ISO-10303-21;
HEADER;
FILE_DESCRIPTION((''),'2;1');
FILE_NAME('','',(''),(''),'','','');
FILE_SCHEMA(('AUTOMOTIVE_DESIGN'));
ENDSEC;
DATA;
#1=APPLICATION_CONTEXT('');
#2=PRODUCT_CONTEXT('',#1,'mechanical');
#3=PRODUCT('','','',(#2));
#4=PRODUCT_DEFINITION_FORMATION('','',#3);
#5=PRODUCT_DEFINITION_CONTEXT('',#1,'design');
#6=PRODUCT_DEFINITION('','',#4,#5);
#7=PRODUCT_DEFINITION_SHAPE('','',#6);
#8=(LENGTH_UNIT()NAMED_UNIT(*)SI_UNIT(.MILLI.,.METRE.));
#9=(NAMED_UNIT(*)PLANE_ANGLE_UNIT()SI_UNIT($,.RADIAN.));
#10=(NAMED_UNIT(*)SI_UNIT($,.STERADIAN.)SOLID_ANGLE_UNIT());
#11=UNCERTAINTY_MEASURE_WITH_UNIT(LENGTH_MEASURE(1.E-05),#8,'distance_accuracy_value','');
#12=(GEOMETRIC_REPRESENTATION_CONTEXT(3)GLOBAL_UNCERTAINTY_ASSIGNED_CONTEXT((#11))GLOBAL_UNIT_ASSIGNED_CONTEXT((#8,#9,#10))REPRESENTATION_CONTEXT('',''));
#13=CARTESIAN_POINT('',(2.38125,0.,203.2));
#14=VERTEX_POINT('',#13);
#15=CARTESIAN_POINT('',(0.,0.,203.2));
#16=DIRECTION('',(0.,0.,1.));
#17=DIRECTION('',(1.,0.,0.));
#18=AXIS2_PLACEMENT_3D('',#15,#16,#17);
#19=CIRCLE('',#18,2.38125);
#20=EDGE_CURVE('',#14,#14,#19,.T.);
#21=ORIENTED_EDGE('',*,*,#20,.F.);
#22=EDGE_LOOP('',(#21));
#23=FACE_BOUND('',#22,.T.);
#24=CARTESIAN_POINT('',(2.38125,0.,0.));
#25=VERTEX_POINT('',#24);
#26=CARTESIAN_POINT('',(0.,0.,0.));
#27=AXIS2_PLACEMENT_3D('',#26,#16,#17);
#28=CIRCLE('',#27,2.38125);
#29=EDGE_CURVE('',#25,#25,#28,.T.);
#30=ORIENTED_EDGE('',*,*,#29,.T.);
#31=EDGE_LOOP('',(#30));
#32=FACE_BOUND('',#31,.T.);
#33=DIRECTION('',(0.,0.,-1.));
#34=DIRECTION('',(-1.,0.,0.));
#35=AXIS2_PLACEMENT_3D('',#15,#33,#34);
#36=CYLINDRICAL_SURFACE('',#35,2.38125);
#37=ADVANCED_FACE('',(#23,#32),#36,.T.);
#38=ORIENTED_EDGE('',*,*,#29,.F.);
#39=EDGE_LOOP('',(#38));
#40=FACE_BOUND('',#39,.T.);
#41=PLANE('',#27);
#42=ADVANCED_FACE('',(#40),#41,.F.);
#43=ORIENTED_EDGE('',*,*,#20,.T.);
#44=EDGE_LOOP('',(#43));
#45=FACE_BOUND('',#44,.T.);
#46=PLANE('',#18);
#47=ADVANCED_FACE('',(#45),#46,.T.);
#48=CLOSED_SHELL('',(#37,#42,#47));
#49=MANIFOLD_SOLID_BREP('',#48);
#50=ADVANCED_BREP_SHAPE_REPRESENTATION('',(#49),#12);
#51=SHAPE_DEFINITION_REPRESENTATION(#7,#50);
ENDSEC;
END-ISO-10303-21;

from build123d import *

# Parameters (mm, degrees)
SKETCH1_R           = 2.38125
BOSS_EXTRUDE1_DEPTH = 203.2


with BuildPart() as part:
    # Sketch1 → Boss-Extrude1 (new body)
    with BuildSketch(Plane.XY):
        Circle(SKETCH1_R)
    extrude(amount=BOSS_EXTRUDE1_DEPTH)


solid = part.part
